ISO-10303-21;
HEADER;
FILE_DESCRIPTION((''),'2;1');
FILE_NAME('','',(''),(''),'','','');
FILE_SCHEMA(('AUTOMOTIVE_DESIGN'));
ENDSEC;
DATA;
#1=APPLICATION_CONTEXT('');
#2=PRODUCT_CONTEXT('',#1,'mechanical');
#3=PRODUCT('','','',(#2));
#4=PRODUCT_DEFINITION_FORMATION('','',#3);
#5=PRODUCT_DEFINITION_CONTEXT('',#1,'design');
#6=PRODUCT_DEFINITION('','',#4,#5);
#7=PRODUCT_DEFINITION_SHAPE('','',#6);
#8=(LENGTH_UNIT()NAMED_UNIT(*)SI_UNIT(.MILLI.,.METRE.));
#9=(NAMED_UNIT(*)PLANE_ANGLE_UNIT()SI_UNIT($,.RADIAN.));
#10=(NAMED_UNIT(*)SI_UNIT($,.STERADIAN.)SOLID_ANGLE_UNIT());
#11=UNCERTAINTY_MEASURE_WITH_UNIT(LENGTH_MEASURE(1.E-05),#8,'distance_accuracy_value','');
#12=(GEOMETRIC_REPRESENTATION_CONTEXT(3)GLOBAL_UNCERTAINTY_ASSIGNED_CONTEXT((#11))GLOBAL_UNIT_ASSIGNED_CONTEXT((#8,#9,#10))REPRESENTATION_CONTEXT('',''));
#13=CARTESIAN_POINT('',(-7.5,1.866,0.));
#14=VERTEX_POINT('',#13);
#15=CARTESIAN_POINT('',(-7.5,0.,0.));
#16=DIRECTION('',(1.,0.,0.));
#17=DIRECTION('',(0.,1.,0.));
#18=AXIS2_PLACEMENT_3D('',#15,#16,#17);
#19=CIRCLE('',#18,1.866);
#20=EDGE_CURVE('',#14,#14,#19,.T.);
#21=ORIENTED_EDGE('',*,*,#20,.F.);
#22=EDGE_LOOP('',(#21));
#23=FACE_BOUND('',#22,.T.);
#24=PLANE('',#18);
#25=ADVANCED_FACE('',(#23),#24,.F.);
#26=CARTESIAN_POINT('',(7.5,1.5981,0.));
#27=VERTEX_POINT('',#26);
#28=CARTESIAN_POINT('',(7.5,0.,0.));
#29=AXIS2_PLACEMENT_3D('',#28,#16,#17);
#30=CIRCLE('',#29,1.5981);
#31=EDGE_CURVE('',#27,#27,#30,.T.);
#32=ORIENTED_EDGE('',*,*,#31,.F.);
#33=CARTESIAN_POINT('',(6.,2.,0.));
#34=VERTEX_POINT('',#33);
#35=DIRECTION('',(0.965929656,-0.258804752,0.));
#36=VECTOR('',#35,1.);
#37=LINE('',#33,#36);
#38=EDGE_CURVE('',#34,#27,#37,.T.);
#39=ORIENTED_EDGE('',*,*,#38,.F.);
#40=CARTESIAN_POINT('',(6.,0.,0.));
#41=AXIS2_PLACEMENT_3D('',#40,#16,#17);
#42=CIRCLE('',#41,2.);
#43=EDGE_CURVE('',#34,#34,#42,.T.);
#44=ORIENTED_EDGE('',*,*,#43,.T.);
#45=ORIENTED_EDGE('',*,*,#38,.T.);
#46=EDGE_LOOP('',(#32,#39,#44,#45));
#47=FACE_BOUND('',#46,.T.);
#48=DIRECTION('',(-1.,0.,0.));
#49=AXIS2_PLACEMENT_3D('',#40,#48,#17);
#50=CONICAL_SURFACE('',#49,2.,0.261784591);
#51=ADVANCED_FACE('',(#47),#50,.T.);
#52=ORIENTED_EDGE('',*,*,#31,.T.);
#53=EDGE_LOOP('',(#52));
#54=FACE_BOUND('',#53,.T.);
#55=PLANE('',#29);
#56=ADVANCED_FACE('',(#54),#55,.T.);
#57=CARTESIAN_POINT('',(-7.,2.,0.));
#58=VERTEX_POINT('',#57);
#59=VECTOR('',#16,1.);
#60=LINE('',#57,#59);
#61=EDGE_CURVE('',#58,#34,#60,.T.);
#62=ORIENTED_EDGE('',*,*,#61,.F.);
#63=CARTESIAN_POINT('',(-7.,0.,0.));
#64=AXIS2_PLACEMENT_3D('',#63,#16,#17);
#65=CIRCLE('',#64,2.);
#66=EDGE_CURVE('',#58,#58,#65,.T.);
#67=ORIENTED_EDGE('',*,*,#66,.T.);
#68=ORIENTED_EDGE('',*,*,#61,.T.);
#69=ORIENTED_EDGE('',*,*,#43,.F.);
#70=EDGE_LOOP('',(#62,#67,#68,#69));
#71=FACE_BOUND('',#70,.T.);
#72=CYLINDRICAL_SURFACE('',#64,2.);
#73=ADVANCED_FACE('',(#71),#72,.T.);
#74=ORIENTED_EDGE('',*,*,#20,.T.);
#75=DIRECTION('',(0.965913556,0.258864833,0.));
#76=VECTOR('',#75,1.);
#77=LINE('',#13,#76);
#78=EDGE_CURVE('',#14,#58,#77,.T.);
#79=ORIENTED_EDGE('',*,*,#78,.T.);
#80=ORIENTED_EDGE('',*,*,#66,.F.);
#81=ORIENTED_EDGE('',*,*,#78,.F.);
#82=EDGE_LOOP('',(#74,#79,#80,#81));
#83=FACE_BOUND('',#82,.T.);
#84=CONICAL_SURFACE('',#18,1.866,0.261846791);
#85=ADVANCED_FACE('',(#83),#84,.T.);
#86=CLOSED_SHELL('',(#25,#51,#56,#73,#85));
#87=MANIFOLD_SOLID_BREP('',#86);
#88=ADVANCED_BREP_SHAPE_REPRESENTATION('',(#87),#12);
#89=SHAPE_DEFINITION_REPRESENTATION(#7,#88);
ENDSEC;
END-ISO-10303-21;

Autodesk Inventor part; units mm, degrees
ref_plane "YZ Plane" through (0, 0, 0) normal (1, 0, 0) x (0, 1, 0)
ref_plane "XZ Plane" through (0, 0, 0) normal (0, 1, 0) x (-1, 0, 0)
ref_plane "XY Plane" through (0, 0, 0) normal (0, 0, 1) x (1, 0, 0)
sketch "Sketch_1" plane through (0, 0, 0) normal (0, 0, 1) x (1, 0, 0)
  line L0 (7.5, 0) -> (-7.5, 0)
  line L1 (-7.5, 0) -> (-7.5, 1.866)
  line L2 (-7.5, 1.866) -> (-7, 2)
  line L3 (-7, 2) -> (6, 2)
  line L4 (6, 2) -> (7.5, 1.5981)
  line L5 (7.5, 1.5981) -> (7.5, 0)
  line L6 (7.5, 0) -> (-7.5, 0)
revolve "Revolution1" add sketch "Sketch_1" angle 360 about axis through (7.5, 0, 0) along (1, 0, 0)
properties part number "MSVC4-15"
